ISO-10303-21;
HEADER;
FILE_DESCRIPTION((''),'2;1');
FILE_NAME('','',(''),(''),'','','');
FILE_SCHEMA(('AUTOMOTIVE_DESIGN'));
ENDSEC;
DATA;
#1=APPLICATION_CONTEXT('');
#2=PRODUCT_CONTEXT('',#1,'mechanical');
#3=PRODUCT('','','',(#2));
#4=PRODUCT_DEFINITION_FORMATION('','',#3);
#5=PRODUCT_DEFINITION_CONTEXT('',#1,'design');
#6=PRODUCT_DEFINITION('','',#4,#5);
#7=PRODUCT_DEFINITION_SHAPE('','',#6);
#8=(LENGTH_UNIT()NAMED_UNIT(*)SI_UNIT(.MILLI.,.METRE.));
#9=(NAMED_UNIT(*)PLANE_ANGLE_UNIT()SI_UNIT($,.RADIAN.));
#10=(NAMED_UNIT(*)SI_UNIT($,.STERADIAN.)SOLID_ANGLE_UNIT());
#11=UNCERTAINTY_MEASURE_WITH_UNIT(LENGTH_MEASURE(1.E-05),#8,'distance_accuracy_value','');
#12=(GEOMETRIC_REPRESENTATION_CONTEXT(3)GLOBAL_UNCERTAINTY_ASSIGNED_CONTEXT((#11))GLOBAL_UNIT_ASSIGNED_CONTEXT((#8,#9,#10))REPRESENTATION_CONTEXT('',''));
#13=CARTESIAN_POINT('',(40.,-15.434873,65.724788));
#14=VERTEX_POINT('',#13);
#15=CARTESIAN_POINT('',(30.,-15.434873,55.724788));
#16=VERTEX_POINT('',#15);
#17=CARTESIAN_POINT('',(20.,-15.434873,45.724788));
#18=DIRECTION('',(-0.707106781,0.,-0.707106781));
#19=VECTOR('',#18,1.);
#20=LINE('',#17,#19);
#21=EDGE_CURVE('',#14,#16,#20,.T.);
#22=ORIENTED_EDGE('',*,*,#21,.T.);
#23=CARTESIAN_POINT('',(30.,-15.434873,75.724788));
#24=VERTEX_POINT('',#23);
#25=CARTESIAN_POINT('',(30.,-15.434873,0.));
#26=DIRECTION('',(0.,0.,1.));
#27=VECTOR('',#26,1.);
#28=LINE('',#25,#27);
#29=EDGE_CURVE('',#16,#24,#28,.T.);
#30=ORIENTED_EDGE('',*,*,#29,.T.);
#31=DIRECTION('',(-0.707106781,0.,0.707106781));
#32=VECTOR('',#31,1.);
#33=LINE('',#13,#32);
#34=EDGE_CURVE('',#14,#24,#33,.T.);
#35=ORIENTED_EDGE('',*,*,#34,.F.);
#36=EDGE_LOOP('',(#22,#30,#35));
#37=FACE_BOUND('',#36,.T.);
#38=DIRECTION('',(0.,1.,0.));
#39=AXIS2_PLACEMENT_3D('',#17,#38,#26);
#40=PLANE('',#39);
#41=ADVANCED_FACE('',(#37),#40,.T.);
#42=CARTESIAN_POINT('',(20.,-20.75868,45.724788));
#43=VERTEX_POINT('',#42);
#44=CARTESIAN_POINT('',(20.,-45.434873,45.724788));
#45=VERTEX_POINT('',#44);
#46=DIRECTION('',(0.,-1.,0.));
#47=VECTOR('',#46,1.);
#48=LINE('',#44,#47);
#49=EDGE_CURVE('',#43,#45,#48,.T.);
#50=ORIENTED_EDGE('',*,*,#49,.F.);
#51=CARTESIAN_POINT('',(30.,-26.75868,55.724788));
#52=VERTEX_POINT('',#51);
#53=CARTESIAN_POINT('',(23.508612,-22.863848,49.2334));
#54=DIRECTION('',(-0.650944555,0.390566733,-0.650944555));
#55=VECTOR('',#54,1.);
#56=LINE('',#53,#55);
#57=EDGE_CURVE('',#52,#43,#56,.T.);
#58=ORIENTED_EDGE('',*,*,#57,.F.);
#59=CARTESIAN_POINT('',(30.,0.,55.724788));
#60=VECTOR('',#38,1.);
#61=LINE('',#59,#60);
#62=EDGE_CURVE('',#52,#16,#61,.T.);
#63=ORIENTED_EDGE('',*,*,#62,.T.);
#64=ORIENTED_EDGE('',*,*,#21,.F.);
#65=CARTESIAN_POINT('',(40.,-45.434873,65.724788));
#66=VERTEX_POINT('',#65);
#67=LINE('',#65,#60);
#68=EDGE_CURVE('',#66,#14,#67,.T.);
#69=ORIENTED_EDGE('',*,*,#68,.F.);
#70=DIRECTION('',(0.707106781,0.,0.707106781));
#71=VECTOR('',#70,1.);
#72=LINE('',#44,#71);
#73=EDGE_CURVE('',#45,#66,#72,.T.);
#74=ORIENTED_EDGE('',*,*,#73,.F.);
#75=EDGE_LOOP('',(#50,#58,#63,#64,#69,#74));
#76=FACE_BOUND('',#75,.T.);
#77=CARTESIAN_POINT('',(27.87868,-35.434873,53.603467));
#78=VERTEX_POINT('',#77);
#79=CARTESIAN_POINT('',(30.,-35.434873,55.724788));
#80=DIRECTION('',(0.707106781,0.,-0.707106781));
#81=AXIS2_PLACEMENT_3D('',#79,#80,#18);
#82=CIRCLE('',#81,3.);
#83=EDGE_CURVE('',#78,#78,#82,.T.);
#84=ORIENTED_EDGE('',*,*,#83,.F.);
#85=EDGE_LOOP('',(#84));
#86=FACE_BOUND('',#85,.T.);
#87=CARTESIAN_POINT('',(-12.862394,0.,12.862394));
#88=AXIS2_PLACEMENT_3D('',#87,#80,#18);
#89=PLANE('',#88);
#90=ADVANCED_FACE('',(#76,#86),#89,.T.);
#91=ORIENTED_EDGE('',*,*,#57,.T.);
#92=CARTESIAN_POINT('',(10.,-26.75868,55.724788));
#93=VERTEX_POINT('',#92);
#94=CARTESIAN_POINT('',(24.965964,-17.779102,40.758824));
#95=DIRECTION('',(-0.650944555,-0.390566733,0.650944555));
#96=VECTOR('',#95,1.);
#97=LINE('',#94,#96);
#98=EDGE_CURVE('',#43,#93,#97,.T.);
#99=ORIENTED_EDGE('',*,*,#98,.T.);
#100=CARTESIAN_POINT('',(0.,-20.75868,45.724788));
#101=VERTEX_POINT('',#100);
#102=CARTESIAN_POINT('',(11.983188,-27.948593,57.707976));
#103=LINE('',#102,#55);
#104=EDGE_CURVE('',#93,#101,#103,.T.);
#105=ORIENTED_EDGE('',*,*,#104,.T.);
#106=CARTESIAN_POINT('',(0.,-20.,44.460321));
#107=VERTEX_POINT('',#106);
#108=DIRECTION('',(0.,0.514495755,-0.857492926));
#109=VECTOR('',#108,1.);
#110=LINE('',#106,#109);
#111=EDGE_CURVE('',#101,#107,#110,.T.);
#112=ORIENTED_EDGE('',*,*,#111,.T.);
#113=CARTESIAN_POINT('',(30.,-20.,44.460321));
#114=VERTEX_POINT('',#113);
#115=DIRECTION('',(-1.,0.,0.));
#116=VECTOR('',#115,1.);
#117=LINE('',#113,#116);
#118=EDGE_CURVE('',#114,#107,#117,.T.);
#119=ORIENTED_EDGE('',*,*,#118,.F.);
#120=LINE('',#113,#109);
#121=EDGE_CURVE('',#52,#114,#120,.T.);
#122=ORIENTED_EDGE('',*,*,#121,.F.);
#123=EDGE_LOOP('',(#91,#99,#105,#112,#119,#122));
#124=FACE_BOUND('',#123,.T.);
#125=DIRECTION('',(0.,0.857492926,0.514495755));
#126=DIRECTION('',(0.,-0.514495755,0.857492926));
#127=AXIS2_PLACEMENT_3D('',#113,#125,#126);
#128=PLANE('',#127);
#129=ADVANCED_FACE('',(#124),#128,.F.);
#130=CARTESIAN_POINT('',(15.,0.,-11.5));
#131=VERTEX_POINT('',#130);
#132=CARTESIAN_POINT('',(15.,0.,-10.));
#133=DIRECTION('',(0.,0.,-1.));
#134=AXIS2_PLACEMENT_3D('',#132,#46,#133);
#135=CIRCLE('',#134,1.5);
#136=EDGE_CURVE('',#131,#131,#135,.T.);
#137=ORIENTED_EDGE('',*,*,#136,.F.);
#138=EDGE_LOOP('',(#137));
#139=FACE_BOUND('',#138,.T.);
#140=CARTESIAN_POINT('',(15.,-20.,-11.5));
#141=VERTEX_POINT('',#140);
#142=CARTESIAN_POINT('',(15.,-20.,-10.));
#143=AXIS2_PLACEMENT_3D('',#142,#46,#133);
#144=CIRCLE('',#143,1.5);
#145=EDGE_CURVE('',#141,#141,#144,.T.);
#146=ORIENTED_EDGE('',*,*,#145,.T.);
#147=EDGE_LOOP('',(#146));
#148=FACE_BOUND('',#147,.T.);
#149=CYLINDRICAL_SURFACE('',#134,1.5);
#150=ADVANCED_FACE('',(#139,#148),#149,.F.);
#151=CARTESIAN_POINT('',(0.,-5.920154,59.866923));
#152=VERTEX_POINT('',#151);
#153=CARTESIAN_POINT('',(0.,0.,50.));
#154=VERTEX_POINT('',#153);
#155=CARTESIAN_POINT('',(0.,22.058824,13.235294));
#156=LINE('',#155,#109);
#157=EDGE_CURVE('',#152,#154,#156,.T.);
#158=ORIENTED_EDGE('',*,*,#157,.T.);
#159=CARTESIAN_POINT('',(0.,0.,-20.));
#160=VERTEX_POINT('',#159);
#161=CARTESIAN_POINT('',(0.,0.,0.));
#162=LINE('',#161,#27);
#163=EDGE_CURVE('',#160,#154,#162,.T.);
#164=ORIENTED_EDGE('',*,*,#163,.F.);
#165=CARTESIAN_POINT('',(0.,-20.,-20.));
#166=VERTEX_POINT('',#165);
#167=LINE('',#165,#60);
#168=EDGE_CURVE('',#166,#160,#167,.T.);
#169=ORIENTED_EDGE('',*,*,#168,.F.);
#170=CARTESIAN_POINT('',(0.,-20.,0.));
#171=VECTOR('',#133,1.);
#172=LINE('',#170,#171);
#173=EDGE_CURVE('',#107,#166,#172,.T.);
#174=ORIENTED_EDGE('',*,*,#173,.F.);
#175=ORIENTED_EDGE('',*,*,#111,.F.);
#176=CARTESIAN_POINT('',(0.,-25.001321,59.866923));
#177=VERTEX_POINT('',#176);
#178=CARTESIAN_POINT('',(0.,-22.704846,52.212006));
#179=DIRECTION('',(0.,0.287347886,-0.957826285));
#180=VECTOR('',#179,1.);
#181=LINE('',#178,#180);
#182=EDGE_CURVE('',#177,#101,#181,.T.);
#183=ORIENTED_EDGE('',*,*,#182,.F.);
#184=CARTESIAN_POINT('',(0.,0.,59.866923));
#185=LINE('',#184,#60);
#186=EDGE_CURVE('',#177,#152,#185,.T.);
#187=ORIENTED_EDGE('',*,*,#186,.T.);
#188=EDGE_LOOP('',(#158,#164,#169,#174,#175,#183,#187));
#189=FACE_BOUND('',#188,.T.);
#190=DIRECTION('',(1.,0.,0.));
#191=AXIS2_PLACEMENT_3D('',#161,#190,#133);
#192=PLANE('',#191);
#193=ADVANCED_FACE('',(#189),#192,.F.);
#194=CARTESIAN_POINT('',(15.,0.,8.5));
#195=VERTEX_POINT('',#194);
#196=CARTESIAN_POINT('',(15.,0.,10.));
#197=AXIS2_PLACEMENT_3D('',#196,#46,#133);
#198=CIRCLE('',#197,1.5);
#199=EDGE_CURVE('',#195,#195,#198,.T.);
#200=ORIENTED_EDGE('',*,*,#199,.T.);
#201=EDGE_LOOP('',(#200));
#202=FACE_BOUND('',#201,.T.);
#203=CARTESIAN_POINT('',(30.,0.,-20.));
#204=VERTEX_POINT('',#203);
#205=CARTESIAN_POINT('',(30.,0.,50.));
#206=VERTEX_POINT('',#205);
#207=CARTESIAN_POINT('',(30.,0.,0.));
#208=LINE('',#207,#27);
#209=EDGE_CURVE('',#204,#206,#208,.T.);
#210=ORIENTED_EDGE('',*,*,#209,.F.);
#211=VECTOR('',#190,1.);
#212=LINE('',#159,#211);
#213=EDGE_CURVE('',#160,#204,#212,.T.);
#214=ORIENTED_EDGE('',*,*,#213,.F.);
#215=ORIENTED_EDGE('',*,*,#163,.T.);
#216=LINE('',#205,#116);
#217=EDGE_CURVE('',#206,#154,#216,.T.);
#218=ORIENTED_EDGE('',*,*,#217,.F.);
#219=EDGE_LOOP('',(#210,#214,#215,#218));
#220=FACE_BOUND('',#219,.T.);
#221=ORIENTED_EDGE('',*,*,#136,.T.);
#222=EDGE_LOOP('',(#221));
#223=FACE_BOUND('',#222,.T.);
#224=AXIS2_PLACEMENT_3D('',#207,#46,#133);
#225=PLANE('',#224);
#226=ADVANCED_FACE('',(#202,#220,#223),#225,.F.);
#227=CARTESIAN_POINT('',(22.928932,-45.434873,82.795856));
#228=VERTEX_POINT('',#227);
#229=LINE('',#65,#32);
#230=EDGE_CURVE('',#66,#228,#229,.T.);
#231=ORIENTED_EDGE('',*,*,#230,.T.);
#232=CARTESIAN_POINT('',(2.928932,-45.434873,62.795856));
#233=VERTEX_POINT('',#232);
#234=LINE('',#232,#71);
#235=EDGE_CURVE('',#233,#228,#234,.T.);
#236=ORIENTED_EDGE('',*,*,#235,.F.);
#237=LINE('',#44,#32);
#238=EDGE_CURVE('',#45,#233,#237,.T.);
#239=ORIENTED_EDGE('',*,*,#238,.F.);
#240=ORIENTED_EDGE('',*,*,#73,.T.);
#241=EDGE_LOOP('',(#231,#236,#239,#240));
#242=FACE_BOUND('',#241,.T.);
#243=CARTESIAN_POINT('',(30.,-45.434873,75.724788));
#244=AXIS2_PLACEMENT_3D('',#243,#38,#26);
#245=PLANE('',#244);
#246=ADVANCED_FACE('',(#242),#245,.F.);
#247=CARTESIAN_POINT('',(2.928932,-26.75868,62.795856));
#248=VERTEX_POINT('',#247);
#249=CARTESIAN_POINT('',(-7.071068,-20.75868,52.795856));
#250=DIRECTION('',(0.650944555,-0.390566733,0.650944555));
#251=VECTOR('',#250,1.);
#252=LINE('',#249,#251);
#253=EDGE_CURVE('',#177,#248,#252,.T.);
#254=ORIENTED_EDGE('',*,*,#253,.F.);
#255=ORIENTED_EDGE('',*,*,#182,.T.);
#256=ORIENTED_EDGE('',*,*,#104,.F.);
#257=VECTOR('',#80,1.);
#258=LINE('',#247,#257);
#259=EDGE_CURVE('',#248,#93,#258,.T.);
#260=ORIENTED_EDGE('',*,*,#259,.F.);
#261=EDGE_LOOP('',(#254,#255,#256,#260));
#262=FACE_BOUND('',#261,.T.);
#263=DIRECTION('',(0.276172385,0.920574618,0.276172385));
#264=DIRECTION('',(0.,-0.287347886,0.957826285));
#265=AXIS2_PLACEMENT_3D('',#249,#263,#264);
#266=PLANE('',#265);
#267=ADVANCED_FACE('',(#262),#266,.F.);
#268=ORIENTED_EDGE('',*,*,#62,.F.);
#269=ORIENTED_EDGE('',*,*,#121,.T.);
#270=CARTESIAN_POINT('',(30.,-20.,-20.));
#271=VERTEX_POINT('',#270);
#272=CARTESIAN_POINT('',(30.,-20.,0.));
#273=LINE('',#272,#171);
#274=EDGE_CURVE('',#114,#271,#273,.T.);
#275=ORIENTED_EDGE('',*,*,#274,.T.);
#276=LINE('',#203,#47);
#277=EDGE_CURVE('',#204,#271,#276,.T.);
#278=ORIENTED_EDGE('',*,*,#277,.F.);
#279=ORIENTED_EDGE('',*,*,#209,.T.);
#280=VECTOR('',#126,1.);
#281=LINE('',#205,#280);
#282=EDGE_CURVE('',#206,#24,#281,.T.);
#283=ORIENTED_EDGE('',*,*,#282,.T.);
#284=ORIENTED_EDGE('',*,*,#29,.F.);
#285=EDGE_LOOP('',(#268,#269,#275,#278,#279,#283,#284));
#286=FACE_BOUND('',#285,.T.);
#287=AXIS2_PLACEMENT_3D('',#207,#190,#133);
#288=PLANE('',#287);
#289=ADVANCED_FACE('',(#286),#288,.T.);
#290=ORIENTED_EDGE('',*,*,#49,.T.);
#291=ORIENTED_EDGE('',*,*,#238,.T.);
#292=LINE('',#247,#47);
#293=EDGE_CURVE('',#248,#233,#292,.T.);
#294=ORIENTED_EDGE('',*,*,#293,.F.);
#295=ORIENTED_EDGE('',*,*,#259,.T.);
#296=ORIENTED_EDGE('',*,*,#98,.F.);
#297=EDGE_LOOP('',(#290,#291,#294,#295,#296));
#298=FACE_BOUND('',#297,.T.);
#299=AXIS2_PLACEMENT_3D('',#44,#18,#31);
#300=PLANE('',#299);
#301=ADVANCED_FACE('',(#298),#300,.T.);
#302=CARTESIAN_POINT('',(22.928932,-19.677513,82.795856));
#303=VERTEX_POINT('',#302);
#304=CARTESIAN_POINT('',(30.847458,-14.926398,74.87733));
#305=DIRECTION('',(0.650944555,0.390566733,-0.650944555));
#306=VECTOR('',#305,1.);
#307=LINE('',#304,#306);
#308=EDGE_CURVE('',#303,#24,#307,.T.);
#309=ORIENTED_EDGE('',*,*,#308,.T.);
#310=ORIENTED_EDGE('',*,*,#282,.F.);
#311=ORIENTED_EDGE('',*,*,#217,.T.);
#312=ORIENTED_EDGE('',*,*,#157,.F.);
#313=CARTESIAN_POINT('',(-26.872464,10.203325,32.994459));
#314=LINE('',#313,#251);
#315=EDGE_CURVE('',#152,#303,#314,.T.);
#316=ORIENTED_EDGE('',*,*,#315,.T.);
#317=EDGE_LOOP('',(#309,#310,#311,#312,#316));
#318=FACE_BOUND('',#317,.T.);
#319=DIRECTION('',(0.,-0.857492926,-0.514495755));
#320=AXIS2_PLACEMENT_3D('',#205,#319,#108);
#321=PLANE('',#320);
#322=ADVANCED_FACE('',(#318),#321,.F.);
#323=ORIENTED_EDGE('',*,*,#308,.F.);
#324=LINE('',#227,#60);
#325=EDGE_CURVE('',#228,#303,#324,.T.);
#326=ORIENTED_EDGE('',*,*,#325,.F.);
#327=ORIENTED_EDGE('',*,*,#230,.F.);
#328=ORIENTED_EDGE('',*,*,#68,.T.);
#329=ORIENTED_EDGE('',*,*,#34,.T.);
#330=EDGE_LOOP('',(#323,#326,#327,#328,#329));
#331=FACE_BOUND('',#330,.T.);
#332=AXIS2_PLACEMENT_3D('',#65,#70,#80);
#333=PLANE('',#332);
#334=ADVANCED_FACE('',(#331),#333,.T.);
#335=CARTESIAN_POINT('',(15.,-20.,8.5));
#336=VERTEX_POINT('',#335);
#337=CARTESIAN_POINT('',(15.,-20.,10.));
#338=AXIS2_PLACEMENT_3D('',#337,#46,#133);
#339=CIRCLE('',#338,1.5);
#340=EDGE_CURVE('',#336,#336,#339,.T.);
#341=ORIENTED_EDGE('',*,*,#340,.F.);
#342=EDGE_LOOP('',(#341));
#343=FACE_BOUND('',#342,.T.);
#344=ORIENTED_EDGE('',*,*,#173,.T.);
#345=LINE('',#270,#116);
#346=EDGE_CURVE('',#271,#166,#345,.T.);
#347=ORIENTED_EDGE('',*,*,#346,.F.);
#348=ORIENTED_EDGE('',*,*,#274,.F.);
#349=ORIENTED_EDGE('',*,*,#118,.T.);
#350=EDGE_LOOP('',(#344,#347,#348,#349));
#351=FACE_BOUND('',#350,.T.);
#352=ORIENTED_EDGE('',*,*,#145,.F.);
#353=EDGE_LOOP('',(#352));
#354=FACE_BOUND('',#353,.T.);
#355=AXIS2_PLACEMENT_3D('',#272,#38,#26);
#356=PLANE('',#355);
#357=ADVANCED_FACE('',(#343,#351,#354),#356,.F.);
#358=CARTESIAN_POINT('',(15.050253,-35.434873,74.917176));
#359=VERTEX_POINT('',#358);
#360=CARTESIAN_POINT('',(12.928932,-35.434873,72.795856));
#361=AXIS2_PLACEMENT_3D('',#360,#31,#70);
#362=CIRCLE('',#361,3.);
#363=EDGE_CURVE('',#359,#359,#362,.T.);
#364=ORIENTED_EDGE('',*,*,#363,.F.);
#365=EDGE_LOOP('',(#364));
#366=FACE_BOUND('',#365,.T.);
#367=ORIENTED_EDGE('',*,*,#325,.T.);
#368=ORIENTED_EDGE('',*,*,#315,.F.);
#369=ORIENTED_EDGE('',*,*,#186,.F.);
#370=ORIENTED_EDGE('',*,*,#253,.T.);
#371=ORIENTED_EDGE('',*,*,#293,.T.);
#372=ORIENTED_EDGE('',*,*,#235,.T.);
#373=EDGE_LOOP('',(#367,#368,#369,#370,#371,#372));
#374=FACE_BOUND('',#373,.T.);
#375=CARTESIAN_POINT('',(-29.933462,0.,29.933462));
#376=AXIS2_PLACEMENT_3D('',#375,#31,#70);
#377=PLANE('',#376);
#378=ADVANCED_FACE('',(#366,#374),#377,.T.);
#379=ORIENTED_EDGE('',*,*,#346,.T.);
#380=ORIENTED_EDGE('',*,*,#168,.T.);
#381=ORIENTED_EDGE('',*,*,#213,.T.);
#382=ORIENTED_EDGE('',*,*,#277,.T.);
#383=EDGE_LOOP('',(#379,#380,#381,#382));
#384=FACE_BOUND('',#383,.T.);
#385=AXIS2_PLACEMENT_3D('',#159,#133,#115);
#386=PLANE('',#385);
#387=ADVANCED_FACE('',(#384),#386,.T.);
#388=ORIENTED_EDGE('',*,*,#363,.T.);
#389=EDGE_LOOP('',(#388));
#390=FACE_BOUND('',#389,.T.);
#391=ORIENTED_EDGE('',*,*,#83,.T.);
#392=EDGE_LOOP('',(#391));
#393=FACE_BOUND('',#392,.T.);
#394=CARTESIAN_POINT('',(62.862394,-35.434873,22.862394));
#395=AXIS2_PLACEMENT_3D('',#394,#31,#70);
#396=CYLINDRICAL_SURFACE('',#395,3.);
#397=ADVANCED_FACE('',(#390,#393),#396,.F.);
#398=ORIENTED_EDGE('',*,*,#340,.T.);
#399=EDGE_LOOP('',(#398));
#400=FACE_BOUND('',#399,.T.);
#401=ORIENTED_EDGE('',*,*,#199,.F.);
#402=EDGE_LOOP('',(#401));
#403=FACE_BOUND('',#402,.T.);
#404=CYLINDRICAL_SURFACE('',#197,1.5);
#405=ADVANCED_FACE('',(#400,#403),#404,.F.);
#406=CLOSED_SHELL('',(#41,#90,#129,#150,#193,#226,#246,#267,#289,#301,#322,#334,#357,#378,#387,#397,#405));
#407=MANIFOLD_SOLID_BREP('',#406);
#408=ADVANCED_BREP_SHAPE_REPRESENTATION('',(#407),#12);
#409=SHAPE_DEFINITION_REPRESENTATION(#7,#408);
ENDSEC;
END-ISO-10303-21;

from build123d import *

# Parameters (mm, degrees)
SALIENTE_EXTRUIR2_DEPTH = 30
CROQUIS3_W              = 60.629420227
CROQUIS3_H              = 60.965705304
CORTAR_EXTRUIR1_DEPTH   = 30
CROQUIS4_R              = 3
CORTAR_EXTRUIR2_DEPTH   = 54.545510937
CROQUIS5_W              = 28.284271248
CROQUIS5_H              = 30
SALIENTE_EXTRUIR3_DEPTH = 14.142136
SALIENTE_EXTRUIR4_DEPTH = 10
CROQUIS7_W              = 23.581736244
CROQUIS7_H              = 30.206171788
CORTAR_EXTRUIR3_DEPTH   = 60
CROQUIS8_R              = 3
CORTAR_EXTRUIR4_DEPTH   = 71.616578937
CROQUIS10_W             = 79.072347139
CROQUIS10_H             = 56.401254602
CORTAR_EXTRUIR5_DEPTH   = 50
CROQUIS12_W             = 30
CROQUIS12_H             = 20
SALIENTE_EXTRUIR6_DEPTH = 20
CROQUIS13_R             = 1.5
CORTAR_EXTRUIR6_DEPTH   = 20


with BuildPart() as part:
    # Croquis2 → Saliente-Extruir2 (new body)
    with BuildSketch(Plane(origin=(0, 0, 0), x_dir=(0, 0, -1), z_dir=(1, 0, 0))):
        Polygon((0, 0), (-50, 0), (-75.724787771, -15.434872663), (-75.724787771, -45.434872663), (-55.724787771, -45.434872663), (-55.724787771, -26.758680242), (-44.460320701, -20), (0, -20), align=None)
    extrude(amount=SALIENTE_EXTRUIR2_DEPTH)

    # Croquis3 → Cortar-Extruir1 (cut)
    with BuildSketch(Plane(origin=(-22.862393886, 0, 22.862393886), x_dir=(0.707106781, 0, 0.707106781), z_dir=(-0.707106781, 0, 0.707106781))):
        with Locations((51.516510193, -19.86952732)):
            Rectangle(CROQUIS3_W, CROQUIS3_H)
    extrude(amount=CORTAR_EXTRUIR1_DEPTH, mode=Mode.SUBTRACT)

    # Croquis4 → Cortar-Extruir2 (cut, through all)
    with BuildSketch(Plane(origin=(-22.862393886, 0, 22.862393886), x_dir=(0.707106781, 0, 0.707106781), z_dir=(-0.707106781, 0, 0.707106781))):
        with Locations((60.616578749, -34.226076292)):
            Circle(CROQUIS4_R)
    extrude(amount=-CORTAR_EXTRUIR2_DEPTH, mode=Mode.SUBTRACT)

    # Croquis5 → Saliente-Extruir3 (add)
    with BuildSketch(Plane(origin=(-22.862393886, 0, 22.862393886), x_dir=(0.707106781, 0, 0.707106781), z_dir=(-0.707106781, 0, 0.707106781))):
        with Locations((60.616578749, -30.434872663)):
            Rectangle(CROQUIS5_W, CROQUIS5_H)
    extrude(amount=-SALIENTE_EXTRUIR3_DEPTH)

    # Croquis6 → Saliente-Extruir4 (add)
    with BuildSketch(Plane(origin=(-22.862393886, 0, 22.862393886), x_dir=(0.707106781, 0, 0.707106781), z_dir=(-0.707106781, 0, 0.707106781))):
        Polygon((32.332307501, -20.758680242), (46.474443125, -26.758680242), (46.474443125, -45.434872663), (74.758714373, -45.434872663), (74.758714373, -15.434872663), (38.378370617, 0), (32.332307501, 0), align=None)
    extrude(amount=SALIENTE_EXTRUIR4_DEPTH)

    # Croquis7 → Cortar-Extruir3 (cut)
    with BuildSketch(Plane(origin=(0, 0, 0), x_dir=(1, 0, 0), z_dir=(0, 1, 0))):
        with Locations((-11.790868122, -58.05803285)):
            Rectangle(CROQUIS7_W, CROQUIS7_H)
    extrude(amount=-CORTAR_EXTRUIR3_DEPTH, mode=Mode.SUBTRACT)

    # Croquis8 → Cortar-Extruir4 (cut, through all)
    with BuildSketch(Plane(origin=(-29.933461698, 0, 29.933461698), x_dir=(0.707106781, 0, 0.707106781), z_dir=(-0.707106781, 0, 0.707106781))):
        with Locations((60.616578749, -35.434872663)):
            Circle(CROQUIS8_R)
    extrude(amount=-CORTAR_EXTRUIR4_DEPTH, mode=Mode.SUBTRACT)

    # Croquis10 → Cortar-Extruir5 (cut)
    with BuildSketch(Plane(origin=(0, 22.058823529, 13.235294118), x_dir=(1, 0, 0), z_dir=(0, 0.857492926, 0.514495755))):
        with Locations((7.523719949, -68.590647859)):
            Rectangle(CROQUIS10_W, CROQUIS10_H)
    extrude(amount=CORTAR_EXTRUIR5_DEPTH, mode=Mode.SUBTRACT)

    # Croquis12 → Saliente-Extruir6 (add)
    with BuildSketch(Plane(origin=(0, 0, 0), x_dir=(-1, 0, 0), z_dir=(0, 0, -1))):
        with Locations((-15, -10)):
            Rectangle(CROQUIS12_W, CROQUIS12_H)
    extrude(amount=SALIENTE_EXTRUIR6_DEPTH)

    # Croquis13 → Cortar-Extruir6 (cut)
    with BuildSketch(Plane.XZ.offset(20)):
        with Locations((15, -10)):
            Circle(CROQUIS13_R)
        with Locations((15, 10)):
            Circle(CROQUIS13_R)
    extrude(amount=-CORTAR_EXTRUIR6_DEPTH, mode=Mode.SUBTRACT)


solid = part.part
